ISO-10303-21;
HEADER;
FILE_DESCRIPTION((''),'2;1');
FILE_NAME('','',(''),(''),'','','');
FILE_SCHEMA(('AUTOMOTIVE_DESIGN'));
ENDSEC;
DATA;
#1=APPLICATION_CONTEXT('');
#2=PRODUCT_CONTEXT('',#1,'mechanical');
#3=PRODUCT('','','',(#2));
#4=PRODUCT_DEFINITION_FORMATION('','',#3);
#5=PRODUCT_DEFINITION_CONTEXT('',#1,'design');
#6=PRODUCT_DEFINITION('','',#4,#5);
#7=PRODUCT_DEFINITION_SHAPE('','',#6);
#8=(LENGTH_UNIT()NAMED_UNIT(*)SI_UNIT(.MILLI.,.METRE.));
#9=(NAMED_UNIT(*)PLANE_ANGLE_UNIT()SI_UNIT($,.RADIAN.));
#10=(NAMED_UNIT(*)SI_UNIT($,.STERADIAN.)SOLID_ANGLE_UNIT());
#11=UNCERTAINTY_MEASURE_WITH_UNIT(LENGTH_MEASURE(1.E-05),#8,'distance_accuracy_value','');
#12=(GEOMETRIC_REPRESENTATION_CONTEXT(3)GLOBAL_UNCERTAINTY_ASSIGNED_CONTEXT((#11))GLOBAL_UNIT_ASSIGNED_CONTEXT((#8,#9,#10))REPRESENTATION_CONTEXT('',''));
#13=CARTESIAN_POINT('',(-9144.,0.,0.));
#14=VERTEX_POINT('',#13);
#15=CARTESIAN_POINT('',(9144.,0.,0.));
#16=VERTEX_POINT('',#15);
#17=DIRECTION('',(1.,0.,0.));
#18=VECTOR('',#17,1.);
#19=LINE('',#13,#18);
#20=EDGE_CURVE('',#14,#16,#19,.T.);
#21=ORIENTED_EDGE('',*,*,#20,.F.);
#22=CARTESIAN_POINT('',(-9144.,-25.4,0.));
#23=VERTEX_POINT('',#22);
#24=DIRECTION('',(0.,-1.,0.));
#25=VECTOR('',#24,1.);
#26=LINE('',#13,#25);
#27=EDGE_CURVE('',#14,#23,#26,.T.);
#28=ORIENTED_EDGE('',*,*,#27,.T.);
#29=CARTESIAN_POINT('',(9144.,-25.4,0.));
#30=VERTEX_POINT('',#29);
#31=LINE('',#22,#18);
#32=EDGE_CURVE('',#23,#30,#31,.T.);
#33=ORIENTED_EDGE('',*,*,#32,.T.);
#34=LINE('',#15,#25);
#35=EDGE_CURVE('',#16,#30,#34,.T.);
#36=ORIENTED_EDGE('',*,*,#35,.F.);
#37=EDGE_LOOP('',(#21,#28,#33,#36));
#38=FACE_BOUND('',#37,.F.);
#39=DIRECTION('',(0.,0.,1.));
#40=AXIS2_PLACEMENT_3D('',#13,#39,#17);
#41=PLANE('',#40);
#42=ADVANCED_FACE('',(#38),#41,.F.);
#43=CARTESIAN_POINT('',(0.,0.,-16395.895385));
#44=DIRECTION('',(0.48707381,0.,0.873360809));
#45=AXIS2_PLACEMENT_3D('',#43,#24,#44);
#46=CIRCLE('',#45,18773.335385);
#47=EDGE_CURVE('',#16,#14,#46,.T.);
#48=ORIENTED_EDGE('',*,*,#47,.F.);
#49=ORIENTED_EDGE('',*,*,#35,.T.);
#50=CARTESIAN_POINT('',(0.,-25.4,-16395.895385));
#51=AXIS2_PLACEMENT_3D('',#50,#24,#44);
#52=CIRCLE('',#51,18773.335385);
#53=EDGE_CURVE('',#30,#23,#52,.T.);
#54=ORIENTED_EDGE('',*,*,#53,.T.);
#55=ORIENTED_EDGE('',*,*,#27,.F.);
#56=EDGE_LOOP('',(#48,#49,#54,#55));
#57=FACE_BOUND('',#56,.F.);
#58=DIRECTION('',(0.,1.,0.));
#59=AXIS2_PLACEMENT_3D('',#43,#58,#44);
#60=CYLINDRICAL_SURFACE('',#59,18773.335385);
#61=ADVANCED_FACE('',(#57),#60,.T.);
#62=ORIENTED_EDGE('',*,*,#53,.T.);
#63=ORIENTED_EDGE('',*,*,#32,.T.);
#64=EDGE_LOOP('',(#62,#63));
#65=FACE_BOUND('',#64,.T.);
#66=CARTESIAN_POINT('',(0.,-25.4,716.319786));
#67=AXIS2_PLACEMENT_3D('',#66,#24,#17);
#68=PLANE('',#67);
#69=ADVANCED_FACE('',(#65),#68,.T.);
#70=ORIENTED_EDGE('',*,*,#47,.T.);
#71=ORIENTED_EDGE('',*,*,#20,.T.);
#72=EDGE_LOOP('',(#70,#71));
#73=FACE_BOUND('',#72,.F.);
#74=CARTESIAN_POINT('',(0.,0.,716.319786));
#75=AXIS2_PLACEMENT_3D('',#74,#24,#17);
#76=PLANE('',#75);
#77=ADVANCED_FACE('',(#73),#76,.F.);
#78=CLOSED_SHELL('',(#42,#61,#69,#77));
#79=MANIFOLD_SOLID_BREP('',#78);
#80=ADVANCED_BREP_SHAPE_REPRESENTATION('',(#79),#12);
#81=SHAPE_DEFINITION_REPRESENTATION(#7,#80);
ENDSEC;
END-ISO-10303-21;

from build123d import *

# Parameters (mm, degrees)
F1_DEPTH = 25.4


with BuildPart() as f1:
    # F0 (on Front) → F1 (new body)
    with BuildSketch(Plane.XZ):
        with BuildLine():
            Line((-9144, 0), (0, 0))
            Line((0, 0), (9144, 0))
            ThreePointArc((9144, 0), (0, 2377.44), (-9144, 0))
        make_face()
    extrude(amount=F1_DEPTH)


solid = f1.part
